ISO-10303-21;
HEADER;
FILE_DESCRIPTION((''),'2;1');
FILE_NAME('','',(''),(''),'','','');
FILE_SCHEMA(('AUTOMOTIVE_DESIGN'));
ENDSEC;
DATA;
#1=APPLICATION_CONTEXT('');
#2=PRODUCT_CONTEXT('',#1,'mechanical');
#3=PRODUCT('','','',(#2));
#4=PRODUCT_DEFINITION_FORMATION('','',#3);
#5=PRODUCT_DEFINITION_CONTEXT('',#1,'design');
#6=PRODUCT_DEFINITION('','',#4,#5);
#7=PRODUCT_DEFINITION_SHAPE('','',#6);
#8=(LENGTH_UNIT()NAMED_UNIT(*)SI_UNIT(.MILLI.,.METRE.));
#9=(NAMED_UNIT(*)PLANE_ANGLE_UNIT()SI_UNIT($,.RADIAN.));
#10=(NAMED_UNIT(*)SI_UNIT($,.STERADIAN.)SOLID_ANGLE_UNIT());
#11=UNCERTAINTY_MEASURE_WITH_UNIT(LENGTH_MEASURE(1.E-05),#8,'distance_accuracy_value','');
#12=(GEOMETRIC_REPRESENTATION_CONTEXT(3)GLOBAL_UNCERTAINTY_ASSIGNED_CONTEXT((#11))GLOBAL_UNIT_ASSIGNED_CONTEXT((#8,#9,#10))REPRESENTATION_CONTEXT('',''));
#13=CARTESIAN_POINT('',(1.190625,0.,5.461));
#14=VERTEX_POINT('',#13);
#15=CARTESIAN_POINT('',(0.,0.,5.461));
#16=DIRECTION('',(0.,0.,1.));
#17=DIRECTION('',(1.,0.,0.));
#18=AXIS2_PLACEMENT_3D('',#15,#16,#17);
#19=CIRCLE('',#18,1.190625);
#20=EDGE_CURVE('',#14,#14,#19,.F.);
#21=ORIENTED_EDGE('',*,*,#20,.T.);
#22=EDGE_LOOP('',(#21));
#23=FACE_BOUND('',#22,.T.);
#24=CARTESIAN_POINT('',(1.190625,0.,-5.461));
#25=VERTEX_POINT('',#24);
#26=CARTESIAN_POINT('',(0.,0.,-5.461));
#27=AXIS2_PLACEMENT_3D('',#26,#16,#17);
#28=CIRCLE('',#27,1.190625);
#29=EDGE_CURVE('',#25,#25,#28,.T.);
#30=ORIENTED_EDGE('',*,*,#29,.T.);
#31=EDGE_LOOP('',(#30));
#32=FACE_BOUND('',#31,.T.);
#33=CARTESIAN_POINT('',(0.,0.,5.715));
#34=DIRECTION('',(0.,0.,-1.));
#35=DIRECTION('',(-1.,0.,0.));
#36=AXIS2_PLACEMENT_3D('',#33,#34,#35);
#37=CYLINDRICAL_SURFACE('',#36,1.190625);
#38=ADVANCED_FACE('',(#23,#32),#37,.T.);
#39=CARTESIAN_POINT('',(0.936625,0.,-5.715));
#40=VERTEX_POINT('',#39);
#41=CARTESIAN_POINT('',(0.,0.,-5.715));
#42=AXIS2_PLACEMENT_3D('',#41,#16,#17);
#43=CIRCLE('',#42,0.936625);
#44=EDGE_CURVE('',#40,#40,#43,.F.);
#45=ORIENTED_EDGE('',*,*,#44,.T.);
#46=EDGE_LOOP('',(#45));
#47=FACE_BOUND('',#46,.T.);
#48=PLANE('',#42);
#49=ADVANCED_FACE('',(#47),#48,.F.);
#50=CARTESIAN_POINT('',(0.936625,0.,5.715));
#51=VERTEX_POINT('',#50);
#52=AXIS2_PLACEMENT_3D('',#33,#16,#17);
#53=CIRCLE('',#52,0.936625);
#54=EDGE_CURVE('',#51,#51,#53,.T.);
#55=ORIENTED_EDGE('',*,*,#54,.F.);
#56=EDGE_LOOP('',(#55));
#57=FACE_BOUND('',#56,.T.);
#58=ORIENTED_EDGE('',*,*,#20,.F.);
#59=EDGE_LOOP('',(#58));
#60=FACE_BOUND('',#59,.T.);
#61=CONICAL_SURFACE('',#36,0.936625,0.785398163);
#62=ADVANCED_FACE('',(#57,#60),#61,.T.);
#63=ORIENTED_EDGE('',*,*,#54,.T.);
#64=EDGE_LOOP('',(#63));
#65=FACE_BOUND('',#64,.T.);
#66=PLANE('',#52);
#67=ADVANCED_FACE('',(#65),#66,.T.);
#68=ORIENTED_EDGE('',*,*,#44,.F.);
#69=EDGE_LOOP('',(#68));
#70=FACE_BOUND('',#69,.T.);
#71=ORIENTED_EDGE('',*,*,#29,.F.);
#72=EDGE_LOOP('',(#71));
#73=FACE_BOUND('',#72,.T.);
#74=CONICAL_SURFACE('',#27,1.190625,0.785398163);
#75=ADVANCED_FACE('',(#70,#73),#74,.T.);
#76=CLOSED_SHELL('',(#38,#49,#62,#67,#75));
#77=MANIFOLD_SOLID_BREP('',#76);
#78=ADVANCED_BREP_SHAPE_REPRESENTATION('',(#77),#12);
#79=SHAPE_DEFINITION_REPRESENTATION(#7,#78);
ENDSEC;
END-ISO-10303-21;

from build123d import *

# Parameters (mm, degrees)
SKETCH1_R      = 1.190625
EXTRUDE1_DEPTH = 5.715
CHAMFER1_SIZE  = 0.254


with BuildPart() as part:
    # Sketch1 → Extrude1 (new, symmetric)
    with BuildSketch(Plane.XY):
        Circle(SKETCH1_R)
    extrude(amount=EXTRUDE1_DEPTH, both=True)

    # Chamfer1
    chamfer1_edges = [part.edges().sort_by_distance(p)[0] for p in [
        (-1.190625, 0, -5.715),
        (-1.190625, 0, 5.715),
    ]]
    chamfer(chamfer1_edges, length=CHAMFER1_SIZE)


solid = part.part
